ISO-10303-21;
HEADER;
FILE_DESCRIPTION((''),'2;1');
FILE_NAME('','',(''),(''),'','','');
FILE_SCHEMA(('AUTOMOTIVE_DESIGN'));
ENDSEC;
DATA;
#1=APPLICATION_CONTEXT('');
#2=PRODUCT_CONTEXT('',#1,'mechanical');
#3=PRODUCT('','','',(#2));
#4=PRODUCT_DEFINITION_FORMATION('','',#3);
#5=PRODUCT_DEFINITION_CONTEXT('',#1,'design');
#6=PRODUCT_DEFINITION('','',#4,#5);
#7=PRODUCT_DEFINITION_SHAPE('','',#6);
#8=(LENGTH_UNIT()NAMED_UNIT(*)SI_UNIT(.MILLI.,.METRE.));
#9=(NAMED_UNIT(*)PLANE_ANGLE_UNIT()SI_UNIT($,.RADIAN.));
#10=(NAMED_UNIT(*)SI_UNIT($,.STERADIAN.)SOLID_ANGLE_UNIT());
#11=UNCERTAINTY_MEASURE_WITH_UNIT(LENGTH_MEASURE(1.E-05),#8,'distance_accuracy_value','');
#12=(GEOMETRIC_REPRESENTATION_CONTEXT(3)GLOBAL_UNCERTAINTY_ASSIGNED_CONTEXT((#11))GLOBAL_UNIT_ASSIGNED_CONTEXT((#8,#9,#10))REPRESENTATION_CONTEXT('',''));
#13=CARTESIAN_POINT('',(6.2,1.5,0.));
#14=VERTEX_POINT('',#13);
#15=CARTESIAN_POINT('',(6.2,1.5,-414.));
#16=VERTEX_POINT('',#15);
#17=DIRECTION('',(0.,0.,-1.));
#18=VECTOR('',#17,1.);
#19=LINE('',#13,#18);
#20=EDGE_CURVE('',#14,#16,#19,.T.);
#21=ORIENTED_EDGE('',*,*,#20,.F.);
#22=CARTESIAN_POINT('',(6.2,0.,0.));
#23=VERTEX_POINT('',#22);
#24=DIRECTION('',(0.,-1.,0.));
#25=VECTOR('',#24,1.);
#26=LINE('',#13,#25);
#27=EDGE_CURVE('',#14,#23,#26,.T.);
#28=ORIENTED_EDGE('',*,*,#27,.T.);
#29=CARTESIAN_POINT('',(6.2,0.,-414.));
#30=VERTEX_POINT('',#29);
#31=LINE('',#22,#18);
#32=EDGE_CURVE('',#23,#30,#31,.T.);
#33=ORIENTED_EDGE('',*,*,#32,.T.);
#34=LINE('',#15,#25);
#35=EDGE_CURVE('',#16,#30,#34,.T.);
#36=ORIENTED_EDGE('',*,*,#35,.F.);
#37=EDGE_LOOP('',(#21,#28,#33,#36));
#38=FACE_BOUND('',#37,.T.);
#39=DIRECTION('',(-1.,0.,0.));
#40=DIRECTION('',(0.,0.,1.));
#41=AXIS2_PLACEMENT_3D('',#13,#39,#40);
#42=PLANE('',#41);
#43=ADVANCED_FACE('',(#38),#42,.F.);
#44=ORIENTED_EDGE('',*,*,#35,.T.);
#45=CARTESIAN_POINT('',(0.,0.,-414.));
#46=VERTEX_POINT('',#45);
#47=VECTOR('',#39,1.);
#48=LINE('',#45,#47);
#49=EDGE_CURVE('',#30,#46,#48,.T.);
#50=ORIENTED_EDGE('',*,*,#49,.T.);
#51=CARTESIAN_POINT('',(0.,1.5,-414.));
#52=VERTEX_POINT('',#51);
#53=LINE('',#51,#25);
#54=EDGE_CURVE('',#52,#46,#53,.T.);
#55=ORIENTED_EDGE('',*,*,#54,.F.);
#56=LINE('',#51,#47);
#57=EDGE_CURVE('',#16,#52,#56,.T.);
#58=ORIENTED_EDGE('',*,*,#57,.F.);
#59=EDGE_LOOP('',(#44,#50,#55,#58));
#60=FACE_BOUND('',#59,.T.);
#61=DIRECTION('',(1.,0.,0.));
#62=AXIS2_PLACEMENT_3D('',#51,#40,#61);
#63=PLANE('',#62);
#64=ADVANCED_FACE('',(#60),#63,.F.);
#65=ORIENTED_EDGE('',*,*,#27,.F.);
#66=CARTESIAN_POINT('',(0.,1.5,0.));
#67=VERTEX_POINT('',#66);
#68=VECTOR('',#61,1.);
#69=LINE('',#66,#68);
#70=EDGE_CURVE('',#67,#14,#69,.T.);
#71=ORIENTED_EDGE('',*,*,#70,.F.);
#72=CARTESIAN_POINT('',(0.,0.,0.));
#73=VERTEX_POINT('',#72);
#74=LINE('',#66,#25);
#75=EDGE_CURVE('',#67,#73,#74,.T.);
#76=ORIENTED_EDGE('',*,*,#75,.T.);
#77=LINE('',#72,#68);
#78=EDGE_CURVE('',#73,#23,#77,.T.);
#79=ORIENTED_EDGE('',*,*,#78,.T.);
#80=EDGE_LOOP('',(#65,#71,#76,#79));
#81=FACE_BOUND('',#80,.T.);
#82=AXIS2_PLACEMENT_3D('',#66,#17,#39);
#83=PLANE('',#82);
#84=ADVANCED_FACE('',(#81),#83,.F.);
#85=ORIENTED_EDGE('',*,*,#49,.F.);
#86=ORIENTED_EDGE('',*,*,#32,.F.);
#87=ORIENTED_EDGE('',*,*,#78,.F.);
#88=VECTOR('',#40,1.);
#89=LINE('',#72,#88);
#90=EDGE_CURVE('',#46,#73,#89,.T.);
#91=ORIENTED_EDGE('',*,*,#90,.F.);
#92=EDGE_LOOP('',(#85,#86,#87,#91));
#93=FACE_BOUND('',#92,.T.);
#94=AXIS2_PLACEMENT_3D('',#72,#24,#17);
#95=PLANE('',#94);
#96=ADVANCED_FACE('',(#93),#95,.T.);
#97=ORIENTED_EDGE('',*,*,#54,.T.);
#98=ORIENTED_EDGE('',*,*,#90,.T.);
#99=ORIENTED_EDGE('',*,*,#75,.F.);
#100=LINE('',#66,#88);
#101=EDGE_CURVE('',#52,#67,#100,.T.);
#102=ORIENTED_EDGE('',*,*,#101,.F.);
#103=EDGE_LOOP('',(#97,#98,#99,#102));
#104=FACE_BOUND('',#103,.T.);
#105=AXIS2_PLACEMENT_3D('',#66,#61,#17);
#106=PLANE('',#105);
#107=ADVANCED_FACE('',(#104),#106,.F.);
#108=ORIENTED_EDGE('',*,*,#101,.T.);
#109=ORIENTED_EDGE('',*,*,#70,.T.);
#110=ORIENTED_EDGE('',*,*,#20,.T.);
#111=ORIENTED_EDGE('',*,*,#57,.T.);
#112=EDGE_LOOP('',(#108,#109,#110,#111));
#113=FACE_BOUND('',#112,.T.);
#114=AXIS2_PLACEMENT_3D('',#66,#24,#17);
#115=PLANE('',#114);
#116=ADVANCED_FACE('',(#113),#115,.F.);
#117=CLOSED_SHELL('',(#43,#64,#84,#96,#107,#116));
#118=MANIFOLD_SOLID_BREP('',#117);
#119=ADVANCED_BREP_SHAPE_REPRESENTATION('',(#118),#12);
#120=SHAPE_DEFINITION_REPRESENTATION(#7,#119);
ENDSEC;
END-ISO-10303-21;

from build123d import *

# Parameters (mm, degrees)
CROQUIS1_W              = 6.2
CROQUIS1_H              = 414
SALIENTE_EXTRUIR1_DEPTH = 1.5


with BuildPart() as part:
    # Croquis1 → Saliente-Extruir1 (new body)
    with BuildSketch(Plane(origin=(0, 0, 0), x_dir=(1, 0, 0), z_dir=(0, 1, 0))):
        with Locations((3.1, 207)):
            Rectangle(CROQUIS1_W, CROQUIS1_H)
    extrude(amount=SALIENTE_EXTRUIR1_DEPTH)


solid = part.part
